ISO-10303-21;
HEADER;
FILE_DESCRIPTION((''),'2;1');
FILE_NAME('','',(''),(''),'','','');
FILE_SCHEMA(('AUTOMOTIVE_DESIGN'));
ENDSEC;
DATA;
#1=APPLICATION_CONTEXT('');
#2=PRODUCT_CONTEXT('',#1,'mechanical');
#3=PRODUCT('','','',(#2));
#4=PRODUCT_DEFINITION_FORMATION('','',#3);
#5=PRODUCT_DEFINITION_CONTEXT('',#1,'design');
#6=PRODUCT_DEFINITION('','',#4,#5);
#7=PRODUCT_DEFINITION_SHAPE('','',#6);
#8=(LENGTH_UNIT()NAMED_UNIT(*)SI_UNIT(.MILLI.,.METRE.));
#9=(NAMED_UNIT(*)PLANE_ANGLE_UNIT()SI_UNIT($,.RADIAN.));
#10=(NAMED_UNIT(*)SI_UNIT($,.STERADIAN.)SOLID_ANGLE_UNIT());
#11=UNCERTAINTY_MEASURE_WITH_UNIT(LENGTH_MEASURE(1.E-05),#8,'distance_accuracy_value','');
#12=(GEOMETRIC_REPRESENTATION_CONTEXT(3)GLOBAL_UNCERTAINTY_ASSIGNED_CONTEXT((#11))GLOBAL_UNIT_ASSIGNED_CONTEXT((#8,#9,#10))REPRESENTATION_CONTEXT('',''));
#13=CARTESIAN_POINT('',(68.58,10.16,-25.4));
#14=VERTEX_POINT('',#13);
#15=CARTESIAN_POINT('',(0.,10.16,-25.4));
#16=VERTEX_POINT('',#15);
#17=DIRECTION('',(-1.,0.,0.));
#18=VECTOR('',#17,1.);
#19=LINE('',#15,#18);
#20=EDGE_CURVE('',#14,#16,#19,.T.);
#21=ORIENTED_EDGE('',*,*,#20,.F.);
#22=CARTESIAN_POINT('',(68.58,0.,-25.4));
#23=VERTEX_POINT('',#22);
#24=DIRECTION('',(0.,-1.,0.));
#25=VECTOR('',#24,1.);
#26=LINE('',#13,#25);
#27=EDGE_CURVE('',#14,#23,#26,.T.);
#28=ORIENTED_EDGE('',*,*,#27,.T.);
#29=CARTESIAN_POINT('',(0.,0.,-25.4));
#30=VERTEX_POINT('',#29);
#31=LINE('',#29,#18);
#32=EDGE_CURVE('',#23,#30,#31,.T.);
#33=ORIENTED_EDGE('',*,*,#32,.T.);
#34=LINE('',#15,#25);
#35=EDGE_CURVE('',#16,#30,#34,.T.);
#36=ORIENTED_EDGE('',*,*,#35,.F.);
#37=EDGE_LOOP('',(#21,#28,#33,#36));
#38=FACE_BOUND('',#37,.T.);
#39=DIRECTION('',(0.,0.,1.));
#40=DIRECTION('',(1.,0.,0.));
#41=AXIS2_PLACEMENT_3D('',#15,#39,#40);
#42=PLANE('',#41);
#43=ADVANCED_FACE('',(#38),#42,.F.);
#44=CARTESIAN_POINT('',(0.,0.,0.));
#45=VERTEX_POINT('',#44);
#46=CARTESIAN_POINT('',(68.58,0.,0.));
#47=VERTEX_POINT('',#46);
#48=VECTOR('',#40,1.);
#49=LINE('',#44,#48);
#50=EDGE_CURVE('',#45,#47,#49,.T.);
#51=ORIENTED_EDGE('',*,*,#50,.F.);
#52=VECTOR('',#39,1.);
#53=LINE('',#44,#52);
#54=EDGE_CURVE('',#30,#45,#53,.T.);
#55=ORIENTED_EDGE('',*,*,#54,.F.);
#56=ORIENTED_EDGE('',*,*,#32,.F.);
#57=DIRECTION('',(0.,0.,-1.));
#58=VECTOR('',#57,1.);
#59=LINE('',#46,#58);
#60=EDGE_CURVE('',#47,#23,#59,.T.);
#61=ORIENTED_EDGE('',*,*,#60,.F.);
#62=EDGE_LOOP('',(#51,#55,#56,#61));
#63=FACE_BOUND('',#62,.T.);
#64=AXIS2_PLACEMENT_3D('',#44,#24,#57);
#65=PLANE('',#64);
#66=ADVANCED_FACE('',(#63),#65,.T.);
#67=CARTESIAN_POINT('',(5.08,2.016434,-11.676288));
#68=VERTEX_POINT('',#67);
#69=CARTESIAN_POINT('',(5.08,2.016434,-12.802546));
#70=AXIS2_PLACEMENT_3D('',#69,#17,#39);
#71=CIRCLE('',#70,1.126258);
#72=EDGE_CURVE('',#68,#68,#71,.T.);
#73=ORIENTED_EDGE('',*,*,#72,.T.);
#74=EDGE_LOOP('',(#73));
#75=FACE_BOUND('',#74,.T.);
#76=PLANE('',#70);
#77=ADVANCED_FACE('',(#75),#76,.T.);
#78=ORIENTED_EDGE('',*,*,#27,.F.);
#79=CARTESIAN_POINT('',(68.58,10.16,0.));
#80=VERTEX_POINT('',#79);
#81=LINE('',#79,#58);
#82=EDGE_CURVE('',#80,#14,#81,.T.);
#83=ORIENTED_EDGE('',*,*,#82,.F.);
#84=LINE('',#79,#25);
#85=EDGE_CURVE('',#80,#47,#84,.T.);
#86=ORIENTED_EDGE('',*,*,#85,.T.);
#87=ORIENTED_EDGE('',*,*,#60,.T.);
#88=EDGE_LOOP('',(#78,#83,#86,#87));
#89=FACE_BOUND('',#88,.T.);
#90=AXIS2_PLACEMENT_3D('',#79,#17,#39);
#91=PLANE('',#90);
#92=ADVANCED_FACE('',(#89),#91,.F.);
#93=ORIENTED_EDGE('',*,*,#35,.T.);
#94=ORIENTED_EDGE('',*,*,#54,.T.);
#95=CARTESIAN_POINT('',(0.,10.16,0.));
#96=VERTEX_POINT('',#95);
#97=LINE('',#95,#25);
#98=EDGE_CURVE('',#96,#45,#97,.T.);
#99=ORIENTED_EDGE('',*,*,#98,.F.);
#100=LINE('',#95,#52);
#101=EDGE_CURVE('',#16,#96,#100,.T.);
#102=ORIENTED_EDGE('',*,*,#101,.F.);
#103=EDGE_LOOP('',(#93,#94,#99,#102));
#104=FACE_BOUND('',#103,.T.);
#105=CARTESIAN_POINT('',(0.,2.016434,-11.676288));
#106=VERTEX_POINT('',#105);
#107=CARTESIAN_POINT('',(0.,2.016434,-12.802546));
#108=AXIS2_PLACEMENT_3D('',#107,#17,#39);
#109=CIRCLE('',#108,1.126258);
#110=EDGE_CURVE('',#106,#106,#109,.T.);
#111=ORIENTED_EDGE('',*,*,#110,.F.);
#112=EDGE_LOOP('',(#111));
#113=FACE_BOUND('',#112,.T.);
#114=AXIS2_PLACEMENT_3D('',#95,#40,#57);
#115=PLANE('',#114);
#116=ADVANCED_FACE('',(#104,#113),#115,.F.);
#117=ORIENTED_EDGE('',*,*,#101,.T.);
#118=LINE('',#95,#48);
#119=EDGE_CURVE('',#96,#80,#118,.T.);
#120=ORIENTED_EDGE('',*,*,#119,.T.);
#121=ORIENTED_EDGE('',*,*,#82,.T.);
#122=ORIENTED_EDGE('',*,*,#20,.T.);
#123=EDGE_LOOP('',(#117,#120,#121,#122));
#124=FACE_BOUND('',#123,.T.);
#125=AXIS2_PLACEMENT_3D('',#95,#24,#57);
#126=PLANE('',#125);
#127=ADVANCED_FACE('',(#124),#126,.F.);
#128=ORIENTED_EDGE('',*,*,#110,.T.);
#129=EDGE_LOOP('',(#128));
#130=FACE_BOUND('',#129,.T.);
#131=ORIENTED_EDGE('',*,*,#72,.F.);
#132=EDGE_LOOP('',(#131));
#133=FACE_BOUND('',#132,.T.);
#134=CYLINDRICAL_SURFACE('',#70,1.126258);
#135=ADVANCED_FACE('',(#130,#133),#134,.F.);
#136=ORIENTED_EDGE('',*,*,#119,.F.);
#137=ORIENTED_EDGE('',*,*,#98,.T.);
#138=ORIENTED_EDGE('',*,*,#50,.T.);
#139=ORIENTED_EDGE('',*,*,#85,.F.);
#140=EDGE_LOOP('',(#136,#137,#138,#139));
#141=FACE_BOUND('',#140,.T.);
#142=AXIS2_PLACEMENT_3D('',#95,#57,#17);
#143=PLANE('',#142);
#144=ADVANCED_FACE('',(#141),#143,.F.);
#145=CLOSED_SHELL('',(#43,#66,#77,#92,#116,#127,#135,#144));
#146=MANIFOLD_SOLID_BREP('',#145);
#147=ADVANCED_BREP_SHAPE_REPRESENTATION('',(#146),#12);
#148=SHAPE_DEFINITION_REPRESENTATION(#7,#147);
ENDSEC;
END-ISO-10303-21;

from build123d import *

# Parameters (mm, degrees)
SKETCH1_W           = 68.58
SKETCH1_H           = 25.4
BOSS_EXTRUDE1_DEPTH = 10.16
SKETCH2_R           = 1.126258331
CUT_EXTRUDE1_DEPTH  = 5.08


with BuildPart() as part:
    # Sketch1 → Boss-Extrude1 (new body)
    with BuildSketch(Plane(origin=(0, 0, 0), x_dir=(1, 0, 0), z_dir=(0, 1, 0))):
        with Locations((34.29, 12.7)):
            Rectangle(SKETCH1_W, SKETCH1_H)
    extrude(amount=BOSS_EXTRUDE1_DEPTH)

    # Sketch2 → Cut-Extrude1 (cut)
    with BuildSketch(Plane.ZY):
        with Locations((-12.802546148, 2.016433815)):
            Circle(SKETCH2_R)
    extrude(amount=-CUT_EXTRUDE1_DEPTH, mode=Mode.SUBTRACT)


solid = part.part
